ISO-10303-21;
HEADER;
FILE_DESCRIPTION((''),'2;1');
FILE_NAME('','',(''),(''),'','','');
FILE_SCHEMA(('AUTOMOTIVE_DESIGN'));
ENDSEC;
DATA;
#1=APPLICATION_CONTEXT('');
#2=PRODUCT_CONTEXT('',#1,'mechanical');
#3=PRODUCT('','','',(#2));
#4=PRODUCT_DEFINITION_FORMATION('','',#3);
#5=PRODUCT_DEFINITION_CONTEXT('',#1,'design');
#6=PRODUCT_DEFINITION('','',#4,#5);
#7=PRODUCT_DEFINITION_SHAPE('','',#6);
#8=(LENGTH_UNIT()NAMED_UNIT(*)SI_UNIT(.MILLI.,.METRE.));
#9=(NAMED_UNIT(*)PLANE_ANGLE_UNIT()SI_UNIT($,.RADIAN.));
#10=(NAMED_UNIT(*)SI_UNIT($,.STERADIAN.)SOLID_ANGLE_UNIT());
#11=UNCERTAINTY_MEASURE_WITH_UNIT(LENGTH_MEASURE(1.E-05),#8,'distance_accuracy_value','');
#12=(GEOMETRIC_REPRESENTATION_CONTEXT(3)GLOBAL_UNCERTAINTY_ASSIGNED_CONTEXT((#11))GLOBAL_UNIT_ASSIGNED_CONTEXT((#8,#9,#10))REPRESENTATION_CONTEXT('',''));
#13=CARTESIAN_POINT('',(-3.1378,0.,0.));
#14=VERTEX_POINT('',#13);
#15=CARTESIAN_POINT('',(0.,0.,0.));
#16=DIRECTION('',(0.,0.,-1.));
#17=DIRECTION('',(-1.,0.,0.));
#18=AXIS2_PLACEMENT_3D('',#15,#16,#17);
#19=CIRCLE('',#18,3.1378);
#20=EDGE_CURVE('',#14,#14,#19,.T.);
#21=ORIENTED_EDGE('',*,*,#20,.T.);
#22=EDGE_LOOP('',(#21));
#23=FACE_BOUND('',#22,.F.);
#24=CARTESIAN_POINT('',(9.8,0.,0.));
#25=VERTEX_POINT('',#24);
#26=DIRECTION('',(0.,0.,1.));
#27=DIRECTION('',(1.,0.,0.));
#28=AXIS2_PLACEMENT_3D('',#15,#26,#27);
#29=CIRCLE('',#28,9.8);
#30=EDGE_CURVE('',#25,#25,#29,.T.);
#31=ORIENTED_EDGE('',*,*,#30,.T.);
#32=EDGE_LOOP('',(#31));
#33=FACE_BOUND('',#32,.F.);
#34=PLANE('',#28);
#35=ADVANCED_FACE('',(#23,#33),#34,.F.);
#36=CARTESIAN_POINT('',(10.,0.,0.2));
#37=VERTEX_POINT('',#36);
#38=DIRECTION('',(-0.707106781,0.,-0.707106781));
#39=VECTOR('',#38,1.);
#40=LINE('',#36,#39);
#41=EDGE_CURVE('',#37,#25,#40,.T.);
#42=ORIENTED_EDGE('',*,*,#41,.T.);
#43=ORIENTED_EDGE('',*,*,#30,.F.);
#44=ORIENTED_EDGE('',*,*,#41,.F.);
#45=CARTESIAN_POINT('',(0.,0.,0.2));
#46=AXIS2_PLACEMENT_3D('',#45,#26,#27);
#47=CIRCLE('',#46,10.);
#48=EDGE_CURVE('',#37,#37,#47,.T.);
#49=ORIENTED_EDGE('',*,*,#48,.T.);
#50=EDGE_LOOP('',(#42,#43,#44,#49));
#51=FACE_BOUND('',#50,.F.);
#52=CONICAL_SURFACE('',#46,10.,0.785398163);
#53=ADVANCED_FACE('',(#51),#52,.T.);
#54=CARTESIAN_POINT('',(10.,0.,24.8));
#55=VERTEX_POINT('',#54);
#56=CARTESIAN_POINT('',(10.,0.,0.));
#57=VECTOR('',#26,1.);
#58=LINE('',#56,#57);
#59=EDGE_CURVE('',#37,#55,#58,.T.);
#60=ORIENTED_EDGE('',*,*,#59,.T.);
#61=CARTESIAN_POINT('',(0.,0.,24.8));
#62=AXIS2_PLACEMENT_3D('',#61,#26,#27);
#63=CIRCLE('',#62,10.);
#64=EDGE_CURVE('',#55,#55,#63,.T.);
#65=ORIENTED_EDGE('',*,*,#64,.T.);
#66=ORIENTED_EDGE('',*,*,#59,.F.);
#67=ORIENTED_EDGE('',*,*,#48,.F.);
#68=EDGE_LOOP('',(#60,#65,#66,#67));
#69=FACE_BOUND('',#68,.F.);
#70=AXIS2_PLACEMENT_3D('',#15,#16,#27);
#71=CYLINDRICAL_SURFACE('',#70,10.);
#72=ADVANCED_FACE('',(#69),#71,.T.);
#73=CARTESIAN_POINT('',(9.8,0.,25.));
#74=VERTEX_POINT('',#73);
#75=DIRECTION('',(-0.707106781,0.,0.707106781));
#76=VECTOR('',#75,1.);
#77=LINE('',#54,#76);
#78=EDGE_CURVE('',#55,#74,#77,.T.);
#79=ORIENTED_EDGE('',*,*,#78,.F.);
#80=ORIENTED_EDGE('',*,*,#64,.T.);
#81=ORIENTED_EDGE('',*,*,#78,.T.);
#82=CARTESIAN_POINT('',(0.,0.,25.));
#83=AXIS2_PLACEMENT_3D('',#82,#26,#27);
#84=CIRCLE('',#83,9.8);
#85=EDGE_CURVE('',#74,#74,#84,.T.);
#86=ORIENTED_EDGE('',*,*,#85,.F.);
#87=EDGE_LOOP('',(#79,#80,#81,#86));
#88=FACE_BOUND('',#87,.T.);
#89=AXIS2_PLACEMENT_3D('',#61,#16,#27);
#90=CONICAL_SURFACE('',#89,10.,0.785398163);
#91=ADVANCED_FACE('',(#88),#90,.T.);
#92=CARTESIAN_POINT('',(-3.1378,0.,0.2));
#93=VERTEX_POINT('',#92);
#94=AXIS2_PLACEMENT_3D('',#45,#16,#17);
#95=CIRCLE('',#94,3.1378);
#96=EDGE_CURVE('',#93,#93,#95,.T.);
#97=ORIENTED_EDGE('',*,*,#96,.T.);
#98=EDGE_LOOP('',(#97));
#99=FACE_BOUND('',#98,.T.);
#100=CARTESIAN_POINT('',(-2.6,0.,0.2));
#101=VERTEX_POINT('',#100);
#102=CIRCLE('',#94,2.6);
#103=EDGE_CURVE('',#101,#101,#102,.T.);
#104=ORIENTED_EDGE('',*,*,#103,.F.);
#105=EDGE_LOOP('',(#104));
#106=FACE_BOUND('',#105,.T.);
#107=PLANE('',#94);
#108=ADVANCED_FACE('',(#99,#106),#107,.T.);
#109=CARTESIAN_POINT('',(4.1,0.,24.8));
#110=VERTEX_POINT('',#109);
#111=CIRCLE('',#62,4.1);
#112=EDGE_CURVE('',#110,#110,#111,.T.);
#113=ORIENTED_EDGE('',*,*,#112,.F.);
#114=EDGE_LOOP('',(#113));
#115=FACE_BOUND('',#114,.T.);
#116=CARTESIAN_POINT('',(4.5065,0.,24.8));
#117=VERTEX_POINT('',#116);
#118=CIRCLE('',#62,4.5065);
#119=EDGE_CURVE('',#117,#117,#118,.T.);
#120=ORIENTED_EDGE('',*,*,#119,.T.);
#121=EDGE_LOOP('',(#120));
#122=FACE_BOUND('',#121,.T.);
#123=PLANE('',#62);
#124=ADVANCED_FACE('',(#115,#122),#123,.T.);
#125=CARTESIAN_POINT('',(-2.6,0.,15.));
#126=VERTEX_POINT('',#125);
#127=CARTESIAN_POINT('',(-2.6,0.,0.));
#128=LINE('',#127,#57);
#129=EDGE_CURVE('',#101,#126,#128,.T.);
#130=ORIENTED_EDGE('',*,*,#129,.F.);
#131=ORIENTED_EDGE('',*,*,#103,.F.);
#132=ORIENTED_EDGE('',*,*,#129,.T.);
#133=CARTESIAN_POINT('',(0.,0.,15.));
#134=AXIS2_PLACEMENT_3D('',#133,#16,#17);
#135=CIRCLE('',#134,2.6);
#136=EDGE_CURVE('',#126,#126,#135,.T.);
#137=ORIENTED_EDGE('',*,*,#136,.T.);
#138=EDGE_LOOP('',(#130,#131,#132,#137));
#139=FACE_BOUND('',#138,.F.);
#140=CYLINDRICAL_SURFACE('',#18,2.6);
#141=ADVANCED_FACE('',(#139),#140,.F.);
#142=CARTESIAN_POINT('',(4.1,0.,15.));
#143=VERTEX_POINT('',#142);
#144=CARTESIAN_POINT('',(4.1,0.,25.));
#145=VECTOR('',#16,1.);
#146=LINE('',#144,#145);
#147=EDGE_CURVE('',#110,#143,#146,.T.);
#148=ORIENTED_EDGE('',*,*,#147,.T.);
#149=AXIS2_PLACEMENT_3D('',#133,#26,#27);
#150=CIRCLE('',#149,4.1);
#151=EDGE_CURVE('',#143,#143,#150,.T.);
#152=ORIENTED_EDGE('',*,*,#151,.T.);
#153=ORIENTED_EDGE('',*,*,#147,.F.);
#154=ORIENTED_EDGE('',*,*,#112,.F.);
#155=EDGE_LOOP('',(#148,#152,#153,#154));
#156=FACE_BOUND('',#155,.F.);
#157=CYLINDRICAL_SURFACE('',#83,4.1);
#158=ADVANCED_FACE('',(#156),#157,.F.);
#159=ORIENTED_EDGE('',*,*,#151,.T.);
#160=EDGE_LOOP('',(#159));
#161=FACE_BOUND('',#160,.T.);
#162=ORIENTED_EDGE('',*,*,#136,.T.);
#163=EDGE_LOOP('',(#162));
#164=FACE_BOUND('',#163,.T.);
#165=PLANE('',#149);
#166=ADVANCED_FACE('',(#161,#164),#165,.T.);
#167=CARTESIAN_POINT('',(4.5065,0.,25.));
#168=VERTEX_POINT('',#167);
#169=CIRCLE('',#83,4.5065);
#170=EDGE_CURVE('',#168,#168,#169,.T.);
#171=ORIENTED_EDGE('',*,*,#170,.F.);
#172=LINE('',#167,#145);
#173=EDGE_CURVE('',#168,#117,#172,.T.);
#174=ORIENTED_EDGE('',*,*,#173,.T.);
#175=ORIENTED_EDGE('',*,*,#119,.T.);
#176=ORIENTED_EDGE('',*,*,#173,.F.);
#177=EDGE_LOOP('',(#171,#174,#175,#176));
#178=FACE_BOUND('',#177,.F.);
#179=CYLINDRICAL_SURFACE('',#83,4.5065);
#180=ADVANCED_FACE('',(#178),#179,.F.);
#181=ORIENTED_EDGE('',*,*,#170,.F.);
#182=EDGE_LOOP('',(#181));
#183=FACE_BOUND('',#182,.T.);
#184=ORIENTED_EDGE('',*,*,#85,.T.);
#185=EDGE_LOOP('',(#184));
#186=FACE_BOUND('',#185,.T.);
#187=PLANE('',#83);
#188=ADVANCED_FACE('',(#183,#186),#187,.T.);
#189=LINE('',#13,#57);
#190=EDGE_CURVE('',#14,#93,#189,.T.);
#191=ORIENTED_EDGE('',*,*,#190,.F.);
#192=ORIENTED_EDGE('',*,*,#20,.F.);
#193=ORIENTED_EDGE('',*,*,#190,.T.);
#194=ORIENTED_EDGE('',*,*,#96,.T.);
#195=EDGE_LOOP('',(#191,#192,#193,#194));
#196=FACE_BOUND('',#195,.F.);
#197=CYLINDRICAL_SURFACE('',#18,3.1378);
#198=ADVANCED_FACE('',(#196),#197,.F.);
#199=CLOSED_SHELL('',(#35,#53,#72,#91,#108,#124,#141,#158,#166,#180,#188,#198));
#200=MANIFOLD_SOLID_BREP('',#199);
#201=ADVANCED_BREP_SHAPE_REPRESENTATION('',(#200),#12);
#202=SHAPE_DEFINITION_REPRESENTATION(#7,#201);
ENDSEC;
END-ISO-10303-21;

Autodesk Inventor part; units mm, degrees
ref_plane "YZ Plane" through (0, 0, 0) normal (1, 0, 0) x (0, 1, 0)
ref_plane "XZ Plane" through (0, 0, 0) normal (0, 1, 0) x (-1, 0, 0)
ref_plane "XY Plane" through (0, 0, 0) normal (0, 0, 1) x (1, 0, 0)
sketch "Sketch2" plane through (0, 0, 0) normal (0, 0, 1) x (1, 0, 0)
  circle A0 centre (0, 0) radius 10
  dimension "d7" = 20
extrude "Extrusion2" add sketch "Sketch2" along normal blind 25
sketch "Sketch3" plane through (0, 0, 25) normal (0, 0, 1) x (1, 0, 0)
  circle A0 centre (0, 0) radius 4.1
  dimension "d10" = 8.2
extrude "Extrusion3" cut sketch "Sketch3" against normal blind 10
thread "Thread1" size "M9x1.25" class "6H" standard "ANSI Metric M Profile" length 12000
sketch "Sketch4" plane through (0, 0, 0) normal (0, 0, -1) x (-1, 0, 0)
  circle A0 centre (0, 0) radius 2.6
  dimension "d15" = 5.2
extrude "Extrusion4" cut sketch "Sketch4" against normal blind 15.175
thread "Thread2" size "M5.5x0.5" class "6H" standard "ANSI Metric M Profile" length 12000
chamfer "Chamfer1" distance 0.2 angle 45 1 edges at (-10, 0, 25)
chamfer "Chamfer2" distance 0.2 angle 45 1 edges at (-10, 0, 0)
sketch "Sketch5" plane through (0, 0, 0) normal (0, 1, 0) x (-1, 0, 0)
  point P0 (0, 0)
  point P1 (10, 0.2)
sketch "Sketch6" plane through (0, 0, 25) normal (0, 0, 1) x (1, 0, 0)
  circle A0 centre (0, 0) radius 4.5065
extrude "Extrusion5" cut sketch "Sketch6" against normal blind 0.2
sketch "Sketch7" plane through (0, 0, 0) normal (0, 0, -1) x (-1, 0, 0)
  circle A0 centre (0, 0) radius 3.1378
extrude "Extrusion6" cut sketch "Sketch7" against normal blind 0.2
sketch "Sketch8" plane through (0, 0, 25) normal (0, 0, 1) x (1, 0, 0)
  point P0 (0, 0)
sketch "Sketch9" plane through (0, 0, 25) normal (0, 0, 1) x (1, 0, 0)
  point P0 (0, 0)
sketch "Sketch10" plane through (0, 0, 25) normal (0, 0, 1) x (1, 0, 0)
  point P0 (0, 0)
properties part number "coupler"
